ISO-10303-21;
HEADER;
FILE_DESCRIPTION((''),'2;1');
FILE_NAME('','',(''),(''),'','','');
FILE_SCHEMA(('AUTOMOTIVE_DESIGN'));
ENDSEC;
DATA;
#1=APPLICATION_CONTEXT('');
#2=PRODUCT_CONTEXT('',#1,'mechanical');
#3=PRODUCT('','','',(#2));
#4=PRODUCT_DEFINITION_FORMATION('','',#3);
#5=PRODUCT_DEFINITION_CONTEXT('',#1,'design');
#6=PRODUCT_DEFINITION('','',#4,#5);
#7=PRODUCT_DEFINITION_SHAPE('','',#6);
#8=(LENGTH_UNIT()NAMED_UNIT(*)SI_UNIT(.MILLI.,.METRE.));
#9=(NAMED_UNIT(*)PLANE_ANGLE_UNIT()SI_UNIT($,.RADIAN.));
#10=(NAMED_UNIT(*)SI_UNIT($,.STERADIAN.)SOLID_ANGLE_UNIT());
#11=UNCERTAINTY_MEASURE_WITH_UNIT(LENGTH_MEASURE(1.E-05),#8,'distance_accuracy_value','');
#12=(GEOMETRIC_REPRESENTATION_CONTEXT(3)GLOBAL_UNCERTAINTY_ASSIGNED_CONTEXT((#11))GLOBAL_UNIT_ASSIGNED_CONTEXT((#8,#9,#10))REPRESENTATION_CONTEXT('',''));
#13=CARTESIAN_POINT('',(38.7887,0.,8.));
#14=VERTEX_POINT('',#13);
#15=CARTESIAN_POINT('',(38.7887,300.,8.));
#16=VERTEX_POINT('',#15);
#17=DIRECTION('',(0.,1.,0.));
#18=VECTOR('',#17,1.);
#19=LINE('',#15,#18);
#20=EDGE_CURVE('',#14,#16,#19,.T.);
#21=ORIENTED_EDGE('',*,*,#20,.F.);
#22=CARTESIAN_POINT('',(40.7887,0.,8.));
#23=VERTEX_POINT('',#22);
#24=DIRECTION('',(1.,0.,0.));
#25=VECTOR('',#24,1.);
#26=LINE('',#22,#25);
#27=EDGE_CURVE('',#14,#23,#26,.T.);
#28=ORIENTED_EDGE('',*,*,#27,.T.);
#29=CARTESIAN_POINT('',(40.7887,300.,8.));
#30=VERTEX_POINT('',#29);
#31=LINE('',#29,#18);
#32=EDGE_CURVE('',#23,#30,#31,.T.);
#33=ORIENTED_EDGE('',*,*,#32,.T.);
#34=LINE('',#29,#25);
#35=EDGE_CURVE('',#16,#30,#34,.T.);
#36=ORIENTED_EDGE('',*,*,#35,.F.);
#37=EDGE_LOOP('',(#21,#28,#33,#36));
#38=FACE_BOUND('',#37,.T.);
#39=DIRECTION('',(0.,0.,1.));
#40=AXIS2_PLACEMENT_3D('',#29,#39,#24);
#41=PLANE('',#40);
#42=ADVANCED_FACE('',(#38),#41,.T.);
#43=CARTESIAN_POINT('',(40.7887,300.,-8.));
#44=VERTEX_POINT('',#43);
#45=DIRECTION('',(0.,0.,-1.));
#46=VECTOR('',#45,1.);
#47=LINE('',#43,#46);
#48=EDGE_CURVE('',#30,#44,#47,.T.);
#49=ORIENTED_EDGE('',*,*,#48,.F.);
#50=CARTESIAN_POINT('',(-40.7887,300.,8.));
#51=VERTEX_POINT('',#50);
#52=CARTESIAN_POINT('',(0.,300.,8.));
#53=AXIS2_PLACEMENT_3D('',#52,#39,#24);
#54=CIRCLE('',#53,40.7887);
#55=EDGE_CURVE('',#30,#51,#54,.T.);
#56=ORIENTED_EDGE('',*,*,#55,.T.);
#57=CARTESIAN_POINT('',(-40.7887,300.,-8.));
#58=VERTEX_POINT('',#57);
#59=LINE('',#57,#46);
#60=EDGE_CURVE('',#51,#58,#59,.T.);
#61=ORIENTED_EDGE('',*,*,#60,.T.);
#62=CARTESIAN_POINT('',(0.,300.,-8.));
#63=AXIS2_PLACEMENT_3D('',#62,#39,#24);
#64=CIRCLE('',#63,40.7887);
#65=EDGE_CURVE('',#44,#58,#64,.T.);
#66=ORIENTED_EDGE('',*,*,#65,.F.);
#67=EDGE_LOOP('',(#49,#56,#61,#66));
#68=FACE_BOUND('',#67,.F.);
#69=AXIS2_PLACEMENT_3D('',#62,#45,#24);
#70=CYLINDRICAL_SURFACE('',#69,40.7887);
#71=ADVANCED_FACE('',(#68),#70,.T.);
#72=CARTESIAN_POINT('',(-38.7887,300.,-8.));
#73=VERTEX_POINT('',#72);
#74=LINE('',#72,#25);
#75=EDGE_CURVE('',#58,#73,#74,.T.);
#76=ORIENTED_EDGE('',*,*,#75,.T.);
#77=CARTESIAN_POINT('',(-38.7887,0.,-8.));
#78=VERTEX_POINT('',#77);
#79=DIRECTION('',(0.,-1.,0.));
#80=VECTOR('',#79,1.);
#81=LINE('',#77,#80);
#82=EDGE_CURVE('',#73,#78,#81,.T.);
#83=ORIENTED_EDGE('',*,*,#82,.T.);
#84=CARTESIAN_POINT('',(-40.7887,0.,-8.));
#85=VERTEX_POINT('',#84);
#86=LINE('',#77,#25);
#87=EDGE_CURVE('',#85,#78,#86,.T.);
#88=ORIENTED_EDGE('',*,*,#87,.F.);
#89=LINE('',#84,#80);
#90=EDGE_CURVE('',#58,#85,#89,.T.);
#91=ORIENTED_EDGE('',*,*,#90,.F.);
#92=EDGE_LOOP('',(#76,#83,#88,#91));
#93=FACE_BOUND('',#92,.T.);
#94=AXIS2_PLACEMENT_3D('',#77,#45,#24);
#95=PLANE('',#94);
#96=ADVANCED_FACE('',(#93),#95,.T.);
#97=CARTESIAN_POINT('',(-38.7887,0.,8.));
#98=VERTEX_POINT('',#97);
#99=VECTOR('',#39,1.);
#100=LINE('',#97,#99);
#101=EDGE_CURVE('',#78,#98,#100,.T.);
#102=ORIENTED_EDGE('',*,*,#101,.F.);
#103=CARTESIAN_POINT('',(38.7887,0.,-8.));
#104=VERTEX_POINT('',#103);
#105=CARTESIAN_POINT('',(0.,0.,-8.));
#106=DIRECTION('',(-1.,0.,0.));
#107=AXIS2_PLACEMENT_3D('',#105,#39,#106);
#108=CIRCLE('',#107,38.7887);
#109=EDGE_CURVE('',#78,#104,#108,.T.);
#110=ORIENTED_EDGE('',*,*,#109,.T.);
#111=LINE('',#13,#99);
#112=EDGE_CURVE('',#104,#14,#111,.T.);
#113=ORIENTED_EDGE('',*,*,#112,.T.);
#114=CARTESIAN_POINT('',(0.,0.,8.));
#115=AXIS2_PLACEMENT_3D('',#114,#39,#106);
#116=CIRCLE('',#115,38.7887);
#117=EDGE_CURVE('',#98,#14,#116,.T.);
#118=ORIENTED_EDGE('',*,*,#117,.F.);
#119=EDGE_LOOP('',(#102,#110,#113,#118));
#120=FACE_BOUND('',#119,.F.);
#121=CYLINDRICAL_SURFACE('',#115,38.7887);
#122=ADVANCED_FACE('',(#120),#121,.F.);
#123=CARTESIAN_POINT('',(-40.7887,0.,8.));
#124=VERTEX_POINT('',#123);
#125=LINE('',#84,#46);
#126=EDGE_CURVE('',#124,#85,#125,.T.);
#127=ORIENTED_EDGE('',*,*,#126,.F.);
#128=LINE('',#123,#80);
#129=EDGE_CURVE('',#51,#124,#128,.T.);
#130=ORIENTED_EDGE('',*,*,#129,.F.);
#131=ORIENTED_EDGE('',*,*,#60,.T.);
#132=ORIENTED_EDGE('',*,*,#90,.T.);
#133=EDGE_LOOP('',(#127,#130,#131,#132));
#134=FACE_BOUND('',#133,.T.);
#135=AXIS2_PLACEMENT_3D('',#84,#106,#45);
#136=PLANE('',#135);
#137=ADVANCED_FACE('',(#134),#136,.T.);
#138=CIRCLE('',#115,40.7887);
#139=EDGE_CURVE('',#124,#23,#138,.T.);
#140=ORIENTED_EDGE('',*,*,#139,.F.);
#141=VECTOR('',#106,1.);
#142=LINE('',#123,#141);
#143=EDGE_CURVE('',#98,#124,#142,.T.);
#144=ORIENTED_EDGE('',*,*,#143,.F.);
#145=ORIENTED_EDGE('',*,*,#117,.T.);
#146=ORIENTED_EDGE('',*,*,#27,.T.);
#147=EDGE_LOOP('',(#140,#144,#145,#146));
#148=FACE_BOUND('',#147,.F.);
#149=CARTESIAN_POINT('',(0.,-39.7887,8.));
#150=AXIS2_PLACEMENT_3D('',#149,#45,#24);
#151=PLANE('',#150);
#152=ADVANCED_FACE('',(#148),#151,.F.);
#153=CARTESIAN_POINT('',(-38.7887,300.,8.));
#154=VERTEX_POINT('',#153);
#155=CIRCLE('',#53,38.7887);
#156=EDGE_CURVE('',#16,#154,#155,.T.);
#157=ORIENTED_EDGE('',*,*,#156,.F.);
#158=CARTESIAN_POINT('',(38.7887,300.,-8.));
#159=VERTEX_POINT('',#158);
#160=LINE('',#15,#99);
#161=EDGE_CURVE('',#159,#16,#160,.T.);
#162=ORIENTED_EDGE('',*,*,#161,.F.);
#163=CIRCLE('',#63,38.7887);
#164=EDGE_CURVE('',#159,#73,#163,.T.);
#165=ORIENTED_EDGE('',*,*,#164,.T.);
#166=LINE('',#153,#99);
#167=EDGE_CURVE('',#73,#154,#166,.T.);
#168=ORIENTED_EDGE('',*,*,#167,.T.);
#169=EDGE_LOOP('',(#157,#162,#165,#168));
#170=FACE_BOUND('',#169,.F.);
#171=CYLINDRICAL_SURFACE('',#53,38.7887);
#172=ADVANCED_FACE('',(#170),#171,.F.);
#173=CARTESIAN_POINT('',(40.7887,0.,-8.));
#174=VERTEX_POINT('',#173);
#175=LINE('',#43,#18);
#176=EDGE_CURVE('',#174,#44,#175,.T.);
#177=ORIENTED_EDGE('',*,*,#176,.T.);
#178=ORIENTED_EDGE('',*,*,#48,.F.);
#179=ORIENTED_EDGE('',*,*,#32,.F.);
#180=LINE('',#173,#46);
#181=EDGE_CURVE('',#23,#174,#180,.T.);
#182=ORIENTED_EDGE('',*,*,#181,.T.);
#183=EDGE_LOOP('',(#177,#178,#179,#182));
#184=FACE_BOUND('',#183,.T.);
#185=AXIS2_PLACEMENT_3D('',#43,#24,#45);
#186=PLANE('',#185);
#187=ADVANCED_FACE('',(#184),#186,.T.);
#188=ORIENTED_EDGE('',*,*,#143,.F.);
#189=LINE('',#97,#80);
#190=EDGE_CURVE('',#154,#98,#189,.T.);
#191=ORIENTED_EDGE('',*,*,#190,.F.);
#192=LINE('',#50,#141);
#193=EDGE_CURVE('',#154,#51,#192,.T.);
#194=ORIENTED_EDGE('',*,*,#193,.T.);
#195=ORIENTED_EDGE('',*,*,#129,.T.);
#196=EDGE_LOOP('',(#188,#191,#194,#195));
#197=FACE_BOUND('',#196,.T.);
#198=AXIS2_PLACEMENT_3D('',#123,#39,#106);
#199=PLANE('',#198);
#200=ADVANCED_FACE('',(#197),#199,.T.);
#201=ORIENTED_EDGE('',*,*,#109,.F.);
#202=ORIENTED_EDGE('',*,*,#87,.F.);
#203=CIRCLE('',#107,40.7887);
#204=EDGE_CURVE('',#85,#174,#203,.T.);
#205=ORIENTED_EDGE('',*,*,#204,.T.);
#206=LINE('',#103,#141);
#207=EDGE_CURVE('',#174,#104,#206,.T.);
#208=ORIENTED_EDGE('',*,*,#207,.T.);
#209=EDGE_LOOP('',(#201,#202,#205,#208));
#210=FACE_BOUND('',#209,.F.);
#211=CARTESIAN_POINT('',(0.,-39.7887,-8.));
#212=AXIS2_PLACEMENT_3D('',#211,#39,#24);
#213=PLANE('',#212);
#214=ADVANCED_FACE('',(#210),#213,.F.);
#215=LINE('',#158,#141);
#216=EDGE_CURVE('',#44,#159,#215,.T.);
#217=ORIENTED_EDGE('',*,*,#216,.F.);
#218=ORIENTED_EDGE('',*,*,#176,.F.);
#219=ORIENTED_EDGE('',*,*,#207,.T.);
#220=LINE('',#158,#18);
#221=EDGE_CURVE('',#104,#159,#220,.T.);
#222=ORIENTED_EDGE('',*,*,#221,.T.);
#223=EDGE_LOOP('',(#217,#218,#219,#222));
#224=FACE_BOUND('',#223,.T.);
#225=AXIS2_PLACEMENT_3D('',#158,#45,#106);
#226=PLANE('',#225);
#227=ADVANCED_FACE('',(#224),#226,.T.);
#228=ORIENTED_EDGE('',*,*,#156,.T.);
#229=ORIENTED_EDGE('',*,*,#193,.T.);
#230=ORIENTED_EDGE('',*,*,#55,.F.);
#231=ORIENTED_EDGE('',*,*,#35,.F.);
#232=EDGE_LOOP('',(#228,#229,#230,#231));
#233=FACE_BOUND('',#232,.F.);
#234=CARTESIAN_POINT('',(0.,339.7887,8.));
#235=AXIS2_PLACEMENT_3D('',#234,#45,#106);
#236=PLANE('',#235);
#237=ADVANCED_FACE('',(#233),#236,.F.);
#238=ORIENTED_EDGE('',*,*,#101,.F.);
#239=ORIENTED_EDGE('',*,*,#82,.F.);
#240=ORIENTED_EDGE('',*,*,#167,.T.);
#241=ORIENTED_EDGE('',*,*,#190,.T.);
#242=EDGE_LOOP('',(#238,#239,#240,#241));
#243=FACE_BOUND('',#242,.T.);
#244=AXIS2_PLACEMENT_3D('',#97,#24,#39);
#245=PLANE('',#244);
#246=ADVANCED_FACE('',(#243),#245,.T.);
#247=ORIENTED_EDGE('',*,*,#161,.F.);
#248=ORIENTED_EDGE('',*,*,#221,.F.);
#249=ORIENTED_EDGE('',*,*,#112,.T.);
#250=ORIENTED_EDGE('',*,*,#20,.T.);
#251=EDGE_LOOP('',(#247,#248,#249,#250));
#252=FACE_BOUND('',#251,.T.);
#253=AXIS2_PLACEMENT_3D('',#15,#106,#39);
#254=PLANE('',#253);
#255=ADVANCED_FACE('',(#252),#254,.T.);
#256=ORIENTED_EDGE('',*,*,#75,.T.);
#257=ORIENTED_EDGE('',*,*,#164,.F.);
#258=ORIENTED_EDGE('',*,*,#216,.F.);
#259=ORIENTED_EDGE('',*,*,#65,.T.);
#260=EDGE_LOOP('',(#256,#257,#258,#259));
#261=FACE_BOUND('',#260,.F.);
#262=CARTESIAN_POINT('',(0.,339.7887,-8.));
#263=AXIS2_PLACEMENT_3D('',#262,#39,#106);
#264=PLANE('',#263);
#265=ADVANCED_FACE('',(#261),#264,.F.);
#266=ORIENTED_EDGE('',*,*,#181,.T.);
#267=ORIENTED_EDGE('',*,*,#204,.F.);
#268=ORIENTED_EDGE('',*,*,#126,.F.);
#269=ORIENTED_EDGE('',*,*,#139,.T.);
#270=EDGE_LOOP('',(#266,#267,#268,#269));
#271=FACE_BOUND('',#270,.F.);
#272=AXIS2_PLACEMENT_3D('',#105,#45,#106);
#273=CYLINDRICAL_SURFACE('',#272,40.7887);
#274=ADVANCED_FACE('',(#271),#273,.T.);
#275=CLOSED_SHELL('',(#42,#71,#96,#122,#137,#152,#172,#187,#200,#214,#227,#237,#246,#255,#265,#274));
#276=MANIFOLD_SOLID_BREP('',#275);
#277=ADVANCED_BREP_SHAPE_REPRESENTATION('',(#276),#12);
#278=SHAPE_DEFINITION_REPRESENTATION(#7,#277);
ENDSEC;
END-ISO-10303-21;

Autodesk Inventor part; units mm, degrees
sketch "Caminho de Esboço" plane through (0, 0, 0) normal (0, 0, 1) x (1, 0, 0)
  arc A0 (-39.7887, 0) -> (39.7887, 0) centre (0, 0) ccw
  arc A1 (39.7887, 300) -> (-39.7887, 300) centre (0, 300) ccw
  line L0 (39.7887, 300) -> (39.7887, 0)
  line L1 (-39.7887, 0) -> (-39.7887, 300)
ref_plane "Plano de corte transversal" through (39.7887, 0, 0) normal (0, 1, 0) x (0, 0, 1)
ref_plane "Plano de trabalho2" through (0, 0, 0) normal (-1, 0, 0) x (0, 0, 1)
ref_plane "Plano de trabalho3" through (0, 300, 0) normal (-0.0628, -0.998, 0) x (0, 0, 1)
sketch "Seção transversal" plane through (39.7887, 0, 0) normal (0, 1, 0) x (0, 0, 1)
  line L0 (-8, 1) -> (8, 1)
  line L1 (8, 1) -> (8, -1)
  line L2 (8, -1) -> (-8, -1)
  line L3 (-8, -1) -> (-8, 1)
  line L4 (-8, 0) -> (8, 0) construction
  point P0 (0, 0)
  point P1 (0, 0)
  dimension "d0" = 16
  dimension "d4" = 1
  dimension "d5" = 1
sweep "Correia" add profiles "Seção transversal" path "Caminho de Esboço"
equation "\"d0\" = da_B"
equation "\"d4\" = da_a"
equation "\"d5\" = da_a2"
equation "\"da_B\" = 16"
equation "\"da_a\" = 1"
equation "\"da_S\" = 5.3"
equation "\"da_Beta\" = 20deg"
equation "\"da_Ht\" = 2.5"
equation "\"da_H\" = 4.5"
equation "\"da_a2\" = 1"
properties part number "Correia síncrona" material "Rubber"
